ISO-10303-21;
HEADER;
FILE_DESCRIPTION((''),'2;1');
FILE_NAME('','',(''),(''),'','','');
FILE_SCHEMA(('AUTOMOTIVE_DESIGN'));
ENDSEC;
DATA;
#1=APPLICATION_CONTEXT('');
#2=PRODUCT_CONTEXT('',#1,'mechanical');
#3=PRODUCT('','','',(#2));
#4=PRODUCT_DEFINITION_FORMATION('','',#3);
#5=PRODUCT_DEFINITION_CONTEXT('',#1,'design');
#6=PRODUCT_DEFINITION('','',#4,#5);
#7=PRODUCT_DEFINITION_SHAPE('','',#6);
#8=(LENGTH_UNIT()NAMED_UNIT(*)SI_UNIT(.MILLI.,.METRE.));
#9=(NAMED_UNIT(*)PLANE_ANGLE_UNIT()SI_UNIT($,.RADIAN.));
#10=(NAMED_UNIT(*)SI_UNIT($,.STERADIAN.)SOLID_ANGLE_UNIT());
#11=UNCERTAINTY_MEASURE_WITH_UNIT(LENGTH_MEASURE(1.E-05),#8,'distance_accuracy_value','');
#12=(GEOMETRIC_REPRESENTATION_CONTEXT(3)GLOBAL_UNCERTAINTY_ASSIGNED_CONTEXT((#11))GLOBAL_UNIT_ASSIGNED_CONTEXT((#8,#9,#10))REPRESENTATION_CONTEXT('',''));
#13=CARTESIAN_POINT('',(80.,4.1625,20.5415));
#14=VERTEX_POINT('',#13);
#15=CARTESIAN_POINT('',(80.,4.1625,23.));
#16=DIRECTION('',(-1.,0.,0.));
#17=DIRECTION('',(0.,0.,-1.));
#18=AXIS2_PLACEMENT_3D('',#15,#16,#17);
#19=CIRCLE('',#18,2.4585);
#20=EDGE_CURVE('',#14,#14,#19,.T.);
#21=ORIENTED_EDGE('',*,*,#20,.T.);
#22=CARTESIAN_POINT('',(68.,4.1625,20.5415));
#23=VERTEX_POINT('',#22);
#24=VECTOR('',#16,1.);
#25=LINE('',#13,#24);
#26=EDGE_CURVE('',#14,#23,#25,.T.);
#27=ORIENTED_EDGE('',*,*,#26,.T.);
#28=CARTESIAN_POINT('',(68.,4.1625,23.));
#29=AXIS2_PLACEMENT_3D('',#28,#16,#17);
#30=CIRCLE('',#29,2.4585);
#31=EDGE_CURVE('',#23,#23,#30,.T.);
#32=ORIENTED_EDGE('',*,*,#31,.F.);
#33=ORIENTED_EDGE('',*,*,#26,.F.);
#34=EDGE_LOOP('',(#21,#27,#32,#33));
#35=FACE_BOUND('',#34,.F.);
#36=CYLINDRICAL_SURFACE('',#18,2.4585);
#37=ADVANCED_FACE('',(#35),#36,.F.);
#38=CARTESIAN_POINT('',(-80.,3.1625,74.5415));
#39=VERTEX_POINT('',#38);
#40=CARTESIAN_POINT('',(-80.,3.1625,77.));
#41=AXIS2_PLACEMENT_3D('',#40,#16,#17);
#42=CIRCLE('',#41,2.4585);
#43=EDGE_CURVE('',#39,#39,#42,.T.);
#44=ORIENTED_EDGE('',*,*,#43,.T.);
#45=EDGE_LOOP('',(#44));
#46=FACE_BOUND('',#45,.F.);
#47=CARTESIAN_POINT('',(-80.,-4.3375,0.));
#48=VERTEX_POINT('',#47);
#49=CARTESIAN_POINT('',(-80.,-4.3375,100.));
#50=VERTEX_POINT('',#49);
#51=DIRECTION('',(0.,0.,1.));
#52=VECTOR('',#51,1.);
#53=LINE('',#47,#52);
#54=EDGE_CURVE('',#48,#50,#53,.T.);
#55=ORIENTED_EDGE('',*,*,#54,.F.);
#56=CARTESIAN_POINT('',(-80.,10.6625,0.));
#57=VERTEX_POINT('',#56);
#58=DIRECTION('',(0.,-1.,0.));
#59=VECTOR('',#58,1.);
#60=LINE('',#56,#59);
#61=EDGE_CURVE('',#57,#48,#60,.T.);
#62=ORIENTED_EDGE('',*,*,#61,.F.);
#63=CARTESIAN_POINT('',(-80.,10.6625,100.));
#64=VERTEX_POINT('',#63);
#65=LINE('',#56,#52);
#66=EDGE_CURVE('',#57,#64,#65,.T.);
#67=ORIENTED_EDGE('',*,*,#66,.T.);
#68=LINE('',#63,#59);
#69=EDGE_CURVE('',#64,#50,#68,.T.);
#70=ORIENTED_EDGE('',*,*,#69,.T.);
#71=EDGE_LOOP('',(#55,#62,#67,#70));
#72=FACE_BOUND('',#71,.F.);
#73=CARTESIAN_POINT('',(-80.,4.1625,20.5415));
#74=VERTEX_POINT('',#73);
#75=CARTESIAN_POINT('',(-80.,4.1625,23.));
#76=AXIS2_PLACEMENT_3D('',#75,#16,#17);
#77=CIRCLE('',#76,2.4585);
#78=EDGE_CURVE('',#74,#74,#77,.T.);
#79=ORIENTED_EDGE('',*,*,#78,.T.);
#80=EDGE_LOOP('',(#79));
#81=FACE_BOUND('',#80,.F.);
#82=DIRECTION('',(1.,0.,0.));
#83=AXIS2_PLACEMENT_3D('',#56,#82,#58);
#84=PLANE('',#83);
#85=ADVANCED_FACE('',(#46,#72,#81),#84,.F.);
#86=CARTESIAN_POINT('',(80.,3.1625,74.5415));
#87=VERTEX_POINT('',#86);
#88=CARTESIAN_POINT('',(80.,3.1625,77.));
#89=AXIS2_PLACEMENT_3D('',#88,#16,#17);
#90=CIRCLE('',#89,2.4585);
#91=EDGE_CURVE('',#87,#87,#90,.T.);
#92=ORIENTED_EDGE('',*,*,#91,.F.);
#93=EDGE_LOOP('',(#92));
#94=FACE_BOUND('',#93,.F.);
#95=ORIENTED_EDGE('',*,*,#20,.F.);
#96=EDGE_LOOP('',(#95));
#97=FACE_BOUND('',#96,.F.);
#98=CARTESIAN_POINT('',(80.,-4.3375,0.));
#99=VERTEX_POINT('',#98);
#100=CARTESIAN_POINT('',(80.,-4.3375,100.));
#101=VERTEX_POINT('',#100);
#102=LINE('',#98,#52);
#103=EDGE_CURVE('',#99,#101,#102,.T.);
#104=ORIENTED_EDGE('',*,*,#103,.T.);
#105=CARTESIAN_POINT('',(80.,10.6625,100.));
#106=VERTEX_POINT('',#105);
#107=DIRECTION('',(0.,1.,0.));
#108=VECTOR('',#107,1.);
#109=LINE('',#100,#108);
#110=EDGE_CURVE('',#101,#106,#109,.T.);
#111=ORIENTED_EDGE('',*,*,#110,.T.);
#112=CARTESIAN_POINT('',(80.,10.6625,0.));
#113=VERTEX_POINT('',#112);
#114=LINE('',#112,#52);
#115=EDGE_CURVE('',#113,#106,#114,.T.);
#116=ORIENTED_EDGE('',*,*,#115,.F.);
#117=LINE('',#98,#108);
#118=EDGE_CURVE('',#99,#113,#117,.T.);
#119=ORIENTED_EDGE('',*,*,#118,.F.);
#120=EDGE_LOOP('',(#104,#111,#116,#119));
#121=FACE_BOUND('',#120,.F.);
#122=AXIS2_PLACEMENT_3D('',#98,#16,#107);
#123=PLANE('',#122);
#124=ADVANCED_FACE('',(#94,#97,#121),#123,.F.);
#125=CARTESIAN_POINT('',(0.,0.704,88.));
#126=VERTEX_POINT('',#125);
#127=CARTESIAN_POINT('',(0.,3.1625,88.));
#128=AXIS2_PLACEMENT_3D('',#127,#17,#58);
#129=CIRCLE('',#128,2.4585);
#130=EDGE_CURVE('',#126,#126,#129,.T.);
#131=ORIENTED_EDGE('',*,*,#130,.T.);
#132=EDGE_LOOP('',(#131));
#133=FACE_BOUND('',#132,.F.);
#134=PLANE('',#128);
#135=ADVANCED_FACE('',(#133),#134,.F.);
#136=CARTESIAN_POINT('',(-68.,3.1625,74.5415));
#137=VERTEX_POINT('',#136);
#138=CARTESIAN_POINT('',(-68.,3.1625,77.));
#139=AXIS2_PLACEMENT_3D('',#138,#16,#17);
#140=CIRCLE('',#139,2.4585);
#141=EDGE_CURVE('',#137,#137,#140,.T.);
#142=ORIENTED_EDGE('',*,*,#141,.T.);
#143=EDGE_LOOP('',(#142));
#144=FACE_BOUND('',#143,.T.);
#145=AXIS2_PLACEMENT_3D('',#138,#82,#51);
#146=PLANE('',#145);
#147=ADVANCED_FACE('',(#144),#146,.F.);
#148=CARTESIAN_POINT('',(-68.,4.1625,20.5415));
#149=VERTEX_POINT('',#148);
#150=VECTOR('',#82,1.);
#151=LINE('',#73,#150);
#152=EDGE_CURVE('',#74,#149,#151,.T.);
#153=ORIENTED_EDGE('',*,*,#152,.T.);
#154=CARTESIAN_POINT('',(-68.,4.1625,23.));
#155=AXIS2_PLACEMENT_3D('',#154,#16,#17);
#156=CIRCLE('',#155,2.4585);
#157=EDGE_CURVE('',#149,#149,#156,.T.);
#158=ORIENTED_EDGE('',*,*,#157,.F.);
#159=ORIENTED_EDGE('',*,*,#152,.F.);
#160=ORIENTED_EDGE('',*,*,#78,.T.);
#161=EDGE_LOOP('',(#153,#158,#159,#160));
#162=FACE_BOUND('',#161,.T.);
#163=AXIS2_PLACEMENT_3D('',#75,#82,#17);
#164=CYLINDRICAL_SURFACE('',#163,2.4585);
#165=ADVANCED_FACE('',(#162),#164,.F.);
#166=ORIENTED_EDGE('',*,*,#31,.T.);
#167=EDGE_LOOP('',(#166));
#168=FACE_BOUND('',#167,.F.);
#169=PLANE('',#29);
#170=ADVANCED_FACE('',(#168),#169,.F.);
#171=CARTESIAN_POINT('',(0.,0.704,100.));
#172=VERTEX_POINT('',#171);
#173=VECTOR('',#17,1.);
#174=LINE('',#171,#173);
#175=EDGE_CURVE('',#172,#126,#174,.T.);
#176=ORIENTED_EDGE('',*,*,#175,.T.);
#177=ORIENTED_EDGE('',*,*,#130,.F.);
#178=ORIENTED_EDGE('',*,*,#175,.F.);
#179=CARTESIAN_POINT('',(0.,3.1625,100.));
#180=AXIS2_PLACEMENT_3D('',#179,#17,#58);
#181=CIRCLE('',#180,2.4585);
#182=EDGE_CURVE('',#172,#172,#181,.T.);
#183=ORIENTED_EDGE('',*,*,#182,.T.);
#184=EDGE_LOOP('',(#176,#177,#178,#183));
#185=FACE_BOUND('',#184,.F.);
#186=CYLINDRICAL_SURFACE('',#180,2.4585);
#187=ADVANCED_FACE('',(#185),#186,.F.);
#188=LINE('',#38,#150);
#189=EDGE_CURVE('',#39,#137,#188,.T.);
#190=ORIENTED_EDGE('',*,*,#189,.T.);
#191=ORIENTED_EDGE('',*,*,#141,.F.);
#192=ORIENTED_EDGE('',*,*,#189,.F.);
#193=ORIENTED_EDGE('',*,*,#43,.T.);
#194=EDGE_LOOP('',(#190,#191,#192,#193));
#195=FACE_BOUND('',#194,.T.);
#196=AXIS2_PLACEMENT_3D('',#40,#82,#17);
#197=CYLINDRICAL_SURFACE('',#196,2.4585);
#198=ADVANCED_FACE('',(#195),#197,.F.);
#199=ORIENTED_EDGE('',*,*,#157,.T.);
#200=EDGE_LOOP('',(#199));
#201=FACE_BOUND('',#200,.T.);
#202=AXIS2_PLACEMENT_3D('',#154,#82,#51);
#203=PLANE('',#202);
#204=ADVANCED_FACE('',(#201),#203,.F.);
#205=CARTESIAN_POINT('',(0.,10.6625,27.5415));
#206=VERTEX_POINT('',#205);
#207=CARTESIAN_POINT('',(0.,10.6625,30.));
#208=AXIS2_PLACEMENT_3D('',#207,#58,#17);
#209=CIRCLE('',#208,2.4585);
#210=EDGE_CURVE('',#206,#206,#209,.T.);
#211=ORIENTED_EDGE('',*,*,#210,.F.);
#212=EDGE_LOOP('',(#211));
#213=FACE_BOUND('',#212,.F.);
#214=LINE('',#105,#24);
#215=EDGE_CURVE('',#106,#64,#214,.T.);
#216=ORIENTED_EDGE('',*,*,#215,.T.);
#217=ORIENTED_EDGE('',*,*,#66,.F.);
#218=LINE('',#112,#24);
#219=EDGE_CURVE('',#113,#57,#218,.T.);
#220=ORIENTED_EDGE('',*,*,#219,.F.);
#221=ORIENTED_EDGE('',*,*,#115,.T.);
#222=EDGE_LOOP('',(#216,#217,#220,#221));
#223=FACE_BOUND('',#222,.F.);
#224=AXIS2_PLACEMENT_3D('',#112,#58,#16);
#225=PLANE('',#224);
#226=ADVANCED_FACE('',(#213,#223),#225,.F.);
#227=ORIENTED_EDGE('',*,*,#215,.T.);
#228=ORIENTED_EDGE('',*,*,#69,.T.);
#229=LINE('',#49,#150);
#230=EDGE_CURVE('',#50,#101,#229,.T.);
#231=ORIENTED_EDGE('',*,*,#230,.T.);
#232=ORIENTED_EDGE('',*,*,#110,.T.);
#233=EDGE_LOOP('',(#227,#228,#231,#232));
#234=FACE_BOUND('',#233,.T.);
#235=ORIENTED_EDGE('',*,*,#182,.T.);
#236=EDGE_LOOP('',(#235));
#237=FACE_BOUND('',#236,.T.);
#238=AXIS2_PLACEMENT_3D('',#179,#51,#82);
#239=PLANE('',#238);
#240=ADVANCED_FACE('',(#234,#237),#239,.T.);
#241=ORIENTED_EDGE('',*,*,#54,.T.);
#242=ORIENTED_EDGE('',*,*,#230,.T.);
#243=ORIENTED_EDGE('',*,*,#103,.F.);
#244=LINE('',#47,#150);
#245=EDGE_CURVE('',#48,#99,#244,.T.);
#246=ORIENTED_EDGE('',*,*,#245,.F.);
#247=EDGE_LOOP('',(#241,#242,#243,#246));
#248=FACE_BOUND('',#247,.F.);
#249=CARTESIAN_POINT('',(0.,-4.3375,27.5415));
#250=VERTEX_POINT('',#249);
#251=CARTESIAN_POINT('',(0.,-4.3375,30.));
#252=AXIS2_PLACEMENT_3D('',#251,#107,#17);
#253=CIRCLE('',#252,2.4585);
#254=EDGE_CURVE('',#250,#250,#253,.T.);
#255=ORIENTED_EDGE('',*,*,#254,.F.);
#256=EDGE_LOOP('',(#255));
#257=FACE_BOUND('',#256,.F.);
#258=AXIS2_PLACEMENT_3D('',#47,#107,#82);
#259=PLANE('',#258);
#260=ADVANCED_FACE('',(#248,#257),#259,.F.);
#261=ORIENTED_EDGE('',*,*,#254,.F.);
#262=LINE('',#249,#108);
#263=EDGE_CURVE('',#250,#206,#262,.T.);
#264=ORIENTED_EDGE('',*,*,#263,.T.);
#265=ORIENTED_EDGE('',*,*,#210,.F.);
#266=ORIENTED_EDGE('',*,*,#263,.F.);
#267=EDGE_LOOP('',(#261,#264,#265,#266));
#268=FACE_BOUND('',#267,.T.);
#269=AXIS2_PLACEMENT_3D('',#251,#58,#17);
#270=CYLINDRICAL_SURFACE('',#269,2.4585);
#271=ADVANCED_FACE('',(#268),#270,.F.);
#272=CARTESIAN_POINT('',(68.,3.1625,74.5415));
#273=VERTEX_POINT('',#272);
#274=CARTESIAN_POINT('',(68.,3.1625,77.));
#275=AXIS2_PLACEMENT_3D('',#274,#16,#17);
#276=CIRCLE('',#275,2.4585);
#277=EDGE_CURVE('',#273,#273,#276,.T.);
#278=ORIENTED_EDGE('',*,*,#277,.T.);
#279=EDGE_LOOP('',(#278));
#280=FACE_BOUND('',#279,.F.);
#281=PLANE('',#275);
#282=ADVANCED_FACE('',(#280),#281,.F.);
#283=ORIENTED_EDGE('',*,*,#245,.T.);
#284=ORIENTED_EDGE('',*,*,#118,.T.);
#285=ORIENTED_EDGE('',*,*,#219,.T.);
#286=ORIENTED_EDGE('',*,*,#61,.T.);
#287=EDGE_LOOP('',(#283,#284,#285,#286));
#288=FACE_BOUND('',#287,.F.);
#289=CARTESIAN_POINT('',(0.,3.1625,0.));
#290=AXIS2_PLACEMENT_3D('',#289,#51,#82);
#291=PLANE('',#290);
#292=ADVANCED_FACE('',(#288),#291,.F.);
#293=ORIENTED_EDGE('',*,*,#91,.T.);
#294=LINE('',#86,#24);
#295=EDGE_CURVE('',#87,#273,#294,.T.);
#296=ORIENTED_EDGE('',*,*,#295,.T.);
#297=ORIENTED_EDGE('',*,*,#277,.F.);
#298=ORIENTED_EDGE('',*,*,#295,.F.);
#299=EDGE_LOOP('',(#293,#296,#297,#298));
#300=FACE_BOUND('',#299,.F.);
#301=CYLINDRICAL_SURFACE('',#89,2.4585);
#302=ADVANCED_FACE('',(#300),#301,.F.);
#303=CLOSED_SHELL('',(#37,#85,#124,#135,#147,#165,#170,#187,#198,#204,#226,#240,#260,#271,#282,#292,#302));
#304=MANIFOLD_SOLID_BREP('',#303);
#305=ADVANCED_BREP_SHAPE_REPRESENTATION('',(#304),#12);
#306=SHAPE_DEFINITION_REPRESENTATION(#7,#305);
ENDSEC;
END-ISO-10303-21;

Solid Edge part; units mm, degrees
sketch "Sketch1" plane through (0, 0, 0) normal (0, 0, 1) x (1, 0, 0)
  line L0 (-80, -4.3375) -> (80, -4.3375)
  line L1 (80, -4.3375) -> (80, 10.6625)
  line L2 (80, 10.6625) -> (-80, 10.6625)
  line L3 (-80, 10.6625) -> (-80, -4.3375)
extrude "Protrusion1" add sketch "Sketch1" along normal blind 100
hole "Hole_1" at (0, -4.3375, 30) direction (0, 1, 0) diameter 4.917 end up to next thread major 6 thread length 2
hole "Hole_2" at (0, 3.1625, 100) direction (0, 0, -1) diameter 4.917 depth 12 thread major 6 thread length 2
hole "Hole_3" at (80, 3.1625, 77) direction (-1, 0, 0) diameter 4.917 depth 12 thread major 6 thread length 2
hole "Hole1" at (80, 4.1625, 23) direction (-1, 0, 0) diameter 4.917 depth 12 thread major 6 thread length 2
mirror "Mirror1" about plane through (0, 0, 0) normal (1, 0, 0) of "Hole_3", "Hole1"
